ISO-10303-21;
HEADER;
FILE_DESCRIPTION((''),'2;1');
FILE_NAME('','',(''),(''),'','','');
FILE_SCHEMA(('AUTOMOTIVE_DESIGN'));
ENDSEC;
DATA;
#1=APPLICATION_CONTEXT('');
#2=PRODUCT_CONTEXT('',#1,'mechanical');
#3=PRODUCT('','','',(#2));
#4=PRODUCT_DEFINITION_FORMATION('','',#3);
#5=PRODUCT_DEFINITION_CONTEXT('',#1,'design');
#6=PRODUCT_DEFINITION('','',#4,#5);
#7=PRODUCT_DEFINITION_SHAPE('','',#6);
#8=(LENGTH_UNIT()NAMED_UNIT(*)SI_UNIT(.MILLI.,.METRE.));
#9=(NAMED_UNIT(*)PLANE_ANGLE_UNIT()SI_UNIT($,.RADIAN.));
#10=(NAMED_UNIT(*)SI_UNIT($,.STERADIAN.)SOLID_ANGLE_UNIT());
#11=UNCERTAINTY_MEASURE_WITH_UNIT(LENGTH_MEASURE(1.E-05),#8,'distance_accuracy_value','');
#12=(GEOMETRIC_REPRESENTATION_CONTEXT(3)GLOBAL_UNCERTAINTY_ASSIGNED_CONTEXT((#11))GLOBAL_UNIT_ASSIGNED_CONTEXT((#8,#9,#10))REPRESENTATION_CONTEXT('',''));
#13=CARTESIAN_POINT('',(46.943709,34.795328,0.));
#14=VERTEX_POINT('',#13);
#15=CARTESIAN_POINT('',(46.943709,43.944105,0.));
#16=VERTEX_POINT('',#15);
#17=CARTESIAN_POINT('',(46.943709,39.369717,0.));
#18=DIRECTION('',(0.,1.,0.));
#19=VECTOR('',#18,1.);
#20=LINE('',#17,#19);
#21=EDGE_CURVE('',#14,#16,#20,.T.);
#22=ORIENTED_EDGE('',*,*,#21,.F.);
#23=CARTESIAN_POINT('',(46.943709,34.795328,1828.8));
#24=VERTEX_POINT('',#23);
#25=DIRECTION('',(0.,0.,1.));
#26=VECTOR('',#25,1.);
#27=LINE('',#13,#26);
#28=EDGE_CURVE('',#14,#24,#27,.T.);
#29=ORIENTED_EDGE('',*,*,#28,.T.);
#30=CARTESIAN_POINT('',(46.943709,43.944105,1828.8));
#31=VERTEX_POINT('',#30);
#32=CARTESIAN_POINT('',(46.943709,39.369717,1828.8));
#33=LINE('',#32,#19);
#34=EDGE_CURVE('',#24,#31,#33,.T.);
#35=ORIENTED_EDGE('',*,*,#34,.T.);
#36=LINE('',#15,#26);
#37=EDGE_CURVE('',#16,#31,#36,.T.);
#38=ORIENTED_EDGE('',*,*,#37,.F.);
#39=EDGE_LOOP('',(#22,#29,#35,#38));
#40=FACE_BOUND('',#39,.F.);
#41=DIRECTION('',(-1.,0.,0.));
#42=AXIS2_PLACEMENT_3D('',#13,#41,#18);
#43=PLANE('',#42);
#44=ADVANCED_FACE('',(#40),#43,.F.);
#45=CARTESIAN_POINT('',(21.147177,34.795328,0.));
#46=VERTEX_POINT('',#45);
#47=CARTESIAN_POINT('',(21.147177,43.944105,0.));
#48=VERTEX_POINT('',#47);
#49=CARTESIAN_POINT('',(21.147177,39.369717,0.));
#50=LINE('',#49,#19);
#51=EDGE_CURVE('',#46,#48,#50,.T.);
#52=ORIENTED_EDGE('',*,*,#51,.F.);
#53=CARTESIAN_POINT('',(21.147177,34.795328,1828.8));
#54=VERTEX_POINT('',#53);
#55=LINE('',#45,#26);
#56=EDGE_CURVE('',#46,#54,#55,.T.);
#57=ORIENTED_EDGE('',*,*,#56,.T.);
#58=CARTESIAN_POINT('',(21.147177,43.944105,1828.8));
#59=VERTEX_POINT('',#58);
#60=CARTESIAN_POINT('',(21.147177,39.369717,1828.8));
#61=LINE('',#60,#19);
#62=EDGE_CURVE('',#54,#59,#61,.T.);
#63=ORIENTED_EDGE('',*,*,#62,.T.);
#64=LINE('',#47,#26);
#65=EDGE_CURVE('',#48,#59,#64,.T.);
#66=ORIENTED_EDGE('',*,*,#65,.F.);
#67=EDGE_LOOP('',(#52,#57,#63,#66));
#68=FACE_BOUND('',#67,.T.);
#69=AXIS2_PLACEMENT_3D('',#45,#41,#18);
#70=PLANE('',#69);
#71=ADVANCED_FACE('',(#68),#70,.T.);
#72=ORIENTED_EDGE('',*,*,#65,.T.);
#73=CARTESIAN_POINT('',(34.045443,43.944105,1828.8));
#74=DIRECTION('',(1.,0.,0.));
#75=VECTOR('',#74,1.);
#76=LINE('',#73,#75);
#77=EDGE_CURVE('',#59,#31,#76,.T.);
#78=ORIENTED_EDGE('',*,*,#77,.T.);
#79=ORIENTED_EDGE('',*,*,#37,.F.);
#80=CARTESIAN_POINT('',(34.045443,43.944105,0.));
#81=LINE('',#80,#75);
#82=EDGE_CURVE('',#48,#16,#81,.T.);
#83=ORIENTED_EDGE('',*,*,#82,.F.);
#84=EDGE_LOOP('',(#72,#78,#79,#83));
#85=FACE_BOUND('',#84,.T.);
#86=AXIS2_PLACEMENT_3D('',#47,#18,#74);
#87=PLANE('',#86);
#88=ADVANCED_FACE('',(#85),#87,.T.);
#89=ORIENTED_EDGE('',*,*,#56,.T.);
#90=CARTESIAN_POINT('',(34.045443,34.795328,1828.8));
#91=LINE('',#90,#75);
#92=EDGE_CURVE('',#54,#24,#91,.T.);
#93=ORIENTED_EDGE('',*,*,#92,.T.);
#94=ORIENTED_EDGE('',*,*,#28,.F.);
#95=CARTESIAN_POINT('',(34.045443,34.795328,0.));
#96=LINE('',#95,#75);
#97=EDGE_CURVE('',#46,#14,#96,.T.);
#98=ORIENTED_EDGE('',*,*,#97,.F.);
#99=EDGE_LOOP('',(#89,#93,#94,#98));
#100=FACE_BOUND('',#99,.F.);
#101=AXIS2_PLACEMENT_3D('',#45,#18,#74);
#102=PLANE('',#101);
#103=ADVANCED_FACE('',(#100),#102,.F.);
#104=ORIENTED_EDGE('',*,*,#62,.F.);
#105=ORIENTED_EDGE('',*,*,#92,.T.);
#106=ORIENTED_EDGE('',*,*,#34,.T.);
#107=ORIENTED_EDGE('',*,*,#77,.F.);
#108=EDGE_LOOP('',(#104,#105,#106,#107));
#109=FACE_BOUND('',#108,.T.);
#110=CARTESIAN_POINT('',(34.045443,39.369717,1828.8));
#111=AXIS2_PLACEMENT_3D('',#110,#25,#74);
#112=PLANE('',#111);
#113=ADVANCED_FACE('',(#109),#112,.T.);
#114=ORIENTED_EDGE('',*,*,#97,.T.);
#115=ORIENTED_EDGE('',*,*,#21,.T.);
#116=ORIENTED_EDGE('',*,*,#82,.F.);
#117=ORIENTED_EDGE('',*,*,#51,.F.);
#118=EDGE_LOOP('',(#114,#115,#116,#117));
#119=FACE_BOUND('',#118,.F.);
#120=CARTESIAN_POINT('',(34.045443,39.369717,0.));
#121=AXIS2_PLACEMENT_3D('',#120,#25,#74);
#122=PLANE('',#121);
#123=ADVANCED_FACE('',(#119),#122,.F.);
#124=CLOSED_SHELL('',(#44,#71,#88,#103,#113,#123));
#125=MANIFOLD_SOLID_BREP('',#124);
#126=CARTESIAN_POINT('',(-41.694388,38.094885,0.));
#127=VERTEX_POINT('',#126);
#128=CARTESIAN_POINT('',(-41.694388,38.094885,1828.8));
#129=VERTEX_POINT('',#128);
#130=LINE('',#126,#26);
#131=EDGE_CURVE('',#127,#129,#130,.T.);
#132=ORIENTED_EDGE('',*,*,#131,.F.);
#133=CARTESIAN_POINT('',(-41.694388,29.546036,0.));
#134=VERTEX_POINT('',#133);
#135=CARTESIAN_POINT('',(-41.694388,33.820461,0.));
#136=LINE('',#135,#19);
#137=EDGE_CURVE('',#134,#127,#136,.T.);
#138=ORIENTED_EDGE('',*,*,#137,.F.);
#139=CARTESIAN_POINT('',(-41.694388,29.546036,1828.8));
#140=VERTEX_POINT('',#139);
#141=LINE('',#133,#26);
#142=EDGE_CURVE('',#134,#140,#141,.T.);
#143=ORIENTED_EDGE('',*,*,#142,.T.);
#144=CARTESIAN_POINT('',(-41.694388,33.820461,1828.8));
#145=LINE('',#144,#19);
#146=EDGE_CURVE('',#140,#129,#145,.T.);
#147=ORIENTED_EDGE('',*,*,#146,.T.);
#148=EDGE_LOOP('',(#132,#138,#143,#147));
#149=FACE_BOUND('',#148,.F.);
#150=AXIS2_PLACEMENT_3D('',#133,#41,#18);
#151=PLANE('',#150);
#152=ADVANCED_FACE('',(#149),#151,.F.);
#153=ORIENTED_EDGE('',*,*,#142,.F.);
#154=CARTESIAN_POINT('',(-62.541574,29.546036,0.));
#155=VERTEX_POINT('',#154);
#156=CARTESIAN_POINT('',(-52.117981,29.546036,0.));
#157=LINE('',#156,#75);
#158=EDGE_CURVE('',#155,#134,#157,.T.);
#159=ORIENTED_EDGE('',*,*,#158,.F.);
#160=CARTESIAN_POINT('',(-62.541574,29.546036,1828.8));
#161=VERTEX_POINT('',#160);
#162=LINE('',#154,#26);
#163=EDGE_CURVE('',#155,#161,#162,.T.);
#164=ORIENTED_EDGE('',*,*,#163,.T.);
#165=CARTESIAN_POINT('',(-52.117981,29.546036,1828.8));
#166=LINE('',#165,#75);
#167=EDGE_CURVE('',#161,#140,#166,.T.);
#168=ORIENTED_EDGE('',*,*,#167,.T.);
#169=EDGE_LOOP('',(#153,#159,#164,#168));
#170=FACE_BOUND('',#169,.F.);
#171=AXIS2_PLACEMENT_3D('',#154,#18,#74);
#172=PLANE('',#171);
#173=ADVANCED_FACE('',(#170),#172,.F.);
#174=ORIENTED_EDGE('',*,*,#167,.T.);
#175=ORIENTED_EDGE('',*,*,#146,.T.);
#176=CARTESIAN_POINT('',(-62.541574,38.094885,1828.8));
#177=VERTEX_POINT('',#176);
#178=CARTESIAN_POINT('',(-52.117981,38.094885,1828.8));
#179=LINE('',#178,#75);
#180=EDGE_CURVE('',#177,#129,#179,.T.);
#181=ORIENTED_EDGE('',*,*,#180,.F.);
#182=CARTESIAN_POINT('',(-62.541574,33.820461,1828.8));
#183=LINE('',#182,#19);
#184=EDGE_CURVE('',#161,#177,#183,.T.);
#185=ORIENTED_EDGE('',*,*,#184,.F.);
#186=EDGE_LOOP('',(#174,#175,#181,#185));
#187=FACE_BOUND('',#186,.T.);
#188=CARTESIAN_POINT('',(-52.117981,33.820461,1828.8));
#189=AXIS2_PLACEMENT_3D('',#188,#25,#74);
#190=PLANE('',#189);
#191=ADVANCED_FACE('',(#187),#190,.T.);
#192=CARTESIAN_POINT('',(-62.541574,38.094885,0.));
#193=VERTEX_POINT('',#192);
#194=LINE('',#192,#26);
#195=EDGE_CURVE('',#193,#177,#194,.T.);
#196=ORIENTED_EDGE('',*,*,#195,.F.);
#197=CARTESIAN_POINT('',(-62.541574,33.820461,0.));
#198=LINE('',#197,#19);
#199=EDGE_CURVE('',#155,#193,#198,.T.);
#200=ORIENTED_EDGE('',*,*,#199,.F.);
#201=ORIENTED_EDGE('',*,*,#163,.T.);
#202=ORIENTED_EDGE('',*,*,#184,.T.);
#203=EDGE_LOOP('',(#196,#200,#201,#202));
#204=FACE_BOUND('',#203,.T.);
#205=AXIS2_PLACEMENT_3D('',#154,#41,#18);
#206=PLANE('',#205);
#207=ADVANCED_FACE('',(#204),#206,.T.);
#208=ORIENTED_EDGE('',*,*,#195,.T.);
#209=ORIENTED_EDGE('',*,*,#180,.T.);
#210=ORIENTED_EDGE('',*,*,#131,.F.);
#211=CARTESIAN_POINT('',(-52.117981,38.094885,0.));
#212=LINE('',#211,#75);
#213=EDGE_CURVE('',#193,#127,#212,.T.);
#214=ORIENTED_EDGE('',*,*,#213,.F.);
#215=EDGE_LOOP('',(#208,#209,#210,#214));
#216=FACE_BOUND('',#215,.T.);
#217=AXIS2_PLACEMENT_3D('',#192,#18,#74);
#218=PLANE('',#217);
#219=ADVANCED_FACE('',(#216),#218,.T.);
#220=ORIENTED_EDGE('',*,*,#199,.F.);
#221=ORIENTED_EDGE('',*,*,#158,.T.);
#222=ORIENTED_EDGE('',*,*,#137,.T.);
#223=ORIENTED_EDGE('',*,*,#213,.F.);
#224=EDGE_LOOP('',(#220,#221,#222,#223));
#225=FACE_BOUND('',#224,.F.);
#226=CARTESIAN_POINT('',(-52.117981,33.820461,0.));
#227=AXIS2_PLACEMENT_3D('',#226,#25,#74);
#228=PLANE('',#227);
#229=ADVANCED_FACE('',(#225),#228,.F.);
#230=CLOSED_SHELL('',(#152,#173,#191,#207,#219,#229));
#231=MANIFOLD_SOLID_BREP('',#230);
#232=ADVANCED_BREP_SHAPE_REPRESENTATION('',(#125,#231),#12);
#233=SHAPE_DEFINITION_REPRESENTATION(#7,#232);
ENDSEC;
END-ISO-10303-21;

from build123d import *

# Parameters (mm, degrees)
F0_W     = 20.847186
F0_H     = 8.548849
F0_W_2   = 25.796532
F0_H_2   = 9.148777
F1_DEPTH = 1828.8


with BuildPart() as f1:
    # F0 (on Top) → F1 (new body)
    with BuildSketch(Plane.XY):
        with Locations((-52.117981, 33.820461)):
            Rectangle(F0_W, F0_H)
        with Locations((34.045443, 39.369717)):
            Rectangle(F0_W_2, F0_H_2)
    extrude(amount=F1_DEPTH)


solid = f1.part
